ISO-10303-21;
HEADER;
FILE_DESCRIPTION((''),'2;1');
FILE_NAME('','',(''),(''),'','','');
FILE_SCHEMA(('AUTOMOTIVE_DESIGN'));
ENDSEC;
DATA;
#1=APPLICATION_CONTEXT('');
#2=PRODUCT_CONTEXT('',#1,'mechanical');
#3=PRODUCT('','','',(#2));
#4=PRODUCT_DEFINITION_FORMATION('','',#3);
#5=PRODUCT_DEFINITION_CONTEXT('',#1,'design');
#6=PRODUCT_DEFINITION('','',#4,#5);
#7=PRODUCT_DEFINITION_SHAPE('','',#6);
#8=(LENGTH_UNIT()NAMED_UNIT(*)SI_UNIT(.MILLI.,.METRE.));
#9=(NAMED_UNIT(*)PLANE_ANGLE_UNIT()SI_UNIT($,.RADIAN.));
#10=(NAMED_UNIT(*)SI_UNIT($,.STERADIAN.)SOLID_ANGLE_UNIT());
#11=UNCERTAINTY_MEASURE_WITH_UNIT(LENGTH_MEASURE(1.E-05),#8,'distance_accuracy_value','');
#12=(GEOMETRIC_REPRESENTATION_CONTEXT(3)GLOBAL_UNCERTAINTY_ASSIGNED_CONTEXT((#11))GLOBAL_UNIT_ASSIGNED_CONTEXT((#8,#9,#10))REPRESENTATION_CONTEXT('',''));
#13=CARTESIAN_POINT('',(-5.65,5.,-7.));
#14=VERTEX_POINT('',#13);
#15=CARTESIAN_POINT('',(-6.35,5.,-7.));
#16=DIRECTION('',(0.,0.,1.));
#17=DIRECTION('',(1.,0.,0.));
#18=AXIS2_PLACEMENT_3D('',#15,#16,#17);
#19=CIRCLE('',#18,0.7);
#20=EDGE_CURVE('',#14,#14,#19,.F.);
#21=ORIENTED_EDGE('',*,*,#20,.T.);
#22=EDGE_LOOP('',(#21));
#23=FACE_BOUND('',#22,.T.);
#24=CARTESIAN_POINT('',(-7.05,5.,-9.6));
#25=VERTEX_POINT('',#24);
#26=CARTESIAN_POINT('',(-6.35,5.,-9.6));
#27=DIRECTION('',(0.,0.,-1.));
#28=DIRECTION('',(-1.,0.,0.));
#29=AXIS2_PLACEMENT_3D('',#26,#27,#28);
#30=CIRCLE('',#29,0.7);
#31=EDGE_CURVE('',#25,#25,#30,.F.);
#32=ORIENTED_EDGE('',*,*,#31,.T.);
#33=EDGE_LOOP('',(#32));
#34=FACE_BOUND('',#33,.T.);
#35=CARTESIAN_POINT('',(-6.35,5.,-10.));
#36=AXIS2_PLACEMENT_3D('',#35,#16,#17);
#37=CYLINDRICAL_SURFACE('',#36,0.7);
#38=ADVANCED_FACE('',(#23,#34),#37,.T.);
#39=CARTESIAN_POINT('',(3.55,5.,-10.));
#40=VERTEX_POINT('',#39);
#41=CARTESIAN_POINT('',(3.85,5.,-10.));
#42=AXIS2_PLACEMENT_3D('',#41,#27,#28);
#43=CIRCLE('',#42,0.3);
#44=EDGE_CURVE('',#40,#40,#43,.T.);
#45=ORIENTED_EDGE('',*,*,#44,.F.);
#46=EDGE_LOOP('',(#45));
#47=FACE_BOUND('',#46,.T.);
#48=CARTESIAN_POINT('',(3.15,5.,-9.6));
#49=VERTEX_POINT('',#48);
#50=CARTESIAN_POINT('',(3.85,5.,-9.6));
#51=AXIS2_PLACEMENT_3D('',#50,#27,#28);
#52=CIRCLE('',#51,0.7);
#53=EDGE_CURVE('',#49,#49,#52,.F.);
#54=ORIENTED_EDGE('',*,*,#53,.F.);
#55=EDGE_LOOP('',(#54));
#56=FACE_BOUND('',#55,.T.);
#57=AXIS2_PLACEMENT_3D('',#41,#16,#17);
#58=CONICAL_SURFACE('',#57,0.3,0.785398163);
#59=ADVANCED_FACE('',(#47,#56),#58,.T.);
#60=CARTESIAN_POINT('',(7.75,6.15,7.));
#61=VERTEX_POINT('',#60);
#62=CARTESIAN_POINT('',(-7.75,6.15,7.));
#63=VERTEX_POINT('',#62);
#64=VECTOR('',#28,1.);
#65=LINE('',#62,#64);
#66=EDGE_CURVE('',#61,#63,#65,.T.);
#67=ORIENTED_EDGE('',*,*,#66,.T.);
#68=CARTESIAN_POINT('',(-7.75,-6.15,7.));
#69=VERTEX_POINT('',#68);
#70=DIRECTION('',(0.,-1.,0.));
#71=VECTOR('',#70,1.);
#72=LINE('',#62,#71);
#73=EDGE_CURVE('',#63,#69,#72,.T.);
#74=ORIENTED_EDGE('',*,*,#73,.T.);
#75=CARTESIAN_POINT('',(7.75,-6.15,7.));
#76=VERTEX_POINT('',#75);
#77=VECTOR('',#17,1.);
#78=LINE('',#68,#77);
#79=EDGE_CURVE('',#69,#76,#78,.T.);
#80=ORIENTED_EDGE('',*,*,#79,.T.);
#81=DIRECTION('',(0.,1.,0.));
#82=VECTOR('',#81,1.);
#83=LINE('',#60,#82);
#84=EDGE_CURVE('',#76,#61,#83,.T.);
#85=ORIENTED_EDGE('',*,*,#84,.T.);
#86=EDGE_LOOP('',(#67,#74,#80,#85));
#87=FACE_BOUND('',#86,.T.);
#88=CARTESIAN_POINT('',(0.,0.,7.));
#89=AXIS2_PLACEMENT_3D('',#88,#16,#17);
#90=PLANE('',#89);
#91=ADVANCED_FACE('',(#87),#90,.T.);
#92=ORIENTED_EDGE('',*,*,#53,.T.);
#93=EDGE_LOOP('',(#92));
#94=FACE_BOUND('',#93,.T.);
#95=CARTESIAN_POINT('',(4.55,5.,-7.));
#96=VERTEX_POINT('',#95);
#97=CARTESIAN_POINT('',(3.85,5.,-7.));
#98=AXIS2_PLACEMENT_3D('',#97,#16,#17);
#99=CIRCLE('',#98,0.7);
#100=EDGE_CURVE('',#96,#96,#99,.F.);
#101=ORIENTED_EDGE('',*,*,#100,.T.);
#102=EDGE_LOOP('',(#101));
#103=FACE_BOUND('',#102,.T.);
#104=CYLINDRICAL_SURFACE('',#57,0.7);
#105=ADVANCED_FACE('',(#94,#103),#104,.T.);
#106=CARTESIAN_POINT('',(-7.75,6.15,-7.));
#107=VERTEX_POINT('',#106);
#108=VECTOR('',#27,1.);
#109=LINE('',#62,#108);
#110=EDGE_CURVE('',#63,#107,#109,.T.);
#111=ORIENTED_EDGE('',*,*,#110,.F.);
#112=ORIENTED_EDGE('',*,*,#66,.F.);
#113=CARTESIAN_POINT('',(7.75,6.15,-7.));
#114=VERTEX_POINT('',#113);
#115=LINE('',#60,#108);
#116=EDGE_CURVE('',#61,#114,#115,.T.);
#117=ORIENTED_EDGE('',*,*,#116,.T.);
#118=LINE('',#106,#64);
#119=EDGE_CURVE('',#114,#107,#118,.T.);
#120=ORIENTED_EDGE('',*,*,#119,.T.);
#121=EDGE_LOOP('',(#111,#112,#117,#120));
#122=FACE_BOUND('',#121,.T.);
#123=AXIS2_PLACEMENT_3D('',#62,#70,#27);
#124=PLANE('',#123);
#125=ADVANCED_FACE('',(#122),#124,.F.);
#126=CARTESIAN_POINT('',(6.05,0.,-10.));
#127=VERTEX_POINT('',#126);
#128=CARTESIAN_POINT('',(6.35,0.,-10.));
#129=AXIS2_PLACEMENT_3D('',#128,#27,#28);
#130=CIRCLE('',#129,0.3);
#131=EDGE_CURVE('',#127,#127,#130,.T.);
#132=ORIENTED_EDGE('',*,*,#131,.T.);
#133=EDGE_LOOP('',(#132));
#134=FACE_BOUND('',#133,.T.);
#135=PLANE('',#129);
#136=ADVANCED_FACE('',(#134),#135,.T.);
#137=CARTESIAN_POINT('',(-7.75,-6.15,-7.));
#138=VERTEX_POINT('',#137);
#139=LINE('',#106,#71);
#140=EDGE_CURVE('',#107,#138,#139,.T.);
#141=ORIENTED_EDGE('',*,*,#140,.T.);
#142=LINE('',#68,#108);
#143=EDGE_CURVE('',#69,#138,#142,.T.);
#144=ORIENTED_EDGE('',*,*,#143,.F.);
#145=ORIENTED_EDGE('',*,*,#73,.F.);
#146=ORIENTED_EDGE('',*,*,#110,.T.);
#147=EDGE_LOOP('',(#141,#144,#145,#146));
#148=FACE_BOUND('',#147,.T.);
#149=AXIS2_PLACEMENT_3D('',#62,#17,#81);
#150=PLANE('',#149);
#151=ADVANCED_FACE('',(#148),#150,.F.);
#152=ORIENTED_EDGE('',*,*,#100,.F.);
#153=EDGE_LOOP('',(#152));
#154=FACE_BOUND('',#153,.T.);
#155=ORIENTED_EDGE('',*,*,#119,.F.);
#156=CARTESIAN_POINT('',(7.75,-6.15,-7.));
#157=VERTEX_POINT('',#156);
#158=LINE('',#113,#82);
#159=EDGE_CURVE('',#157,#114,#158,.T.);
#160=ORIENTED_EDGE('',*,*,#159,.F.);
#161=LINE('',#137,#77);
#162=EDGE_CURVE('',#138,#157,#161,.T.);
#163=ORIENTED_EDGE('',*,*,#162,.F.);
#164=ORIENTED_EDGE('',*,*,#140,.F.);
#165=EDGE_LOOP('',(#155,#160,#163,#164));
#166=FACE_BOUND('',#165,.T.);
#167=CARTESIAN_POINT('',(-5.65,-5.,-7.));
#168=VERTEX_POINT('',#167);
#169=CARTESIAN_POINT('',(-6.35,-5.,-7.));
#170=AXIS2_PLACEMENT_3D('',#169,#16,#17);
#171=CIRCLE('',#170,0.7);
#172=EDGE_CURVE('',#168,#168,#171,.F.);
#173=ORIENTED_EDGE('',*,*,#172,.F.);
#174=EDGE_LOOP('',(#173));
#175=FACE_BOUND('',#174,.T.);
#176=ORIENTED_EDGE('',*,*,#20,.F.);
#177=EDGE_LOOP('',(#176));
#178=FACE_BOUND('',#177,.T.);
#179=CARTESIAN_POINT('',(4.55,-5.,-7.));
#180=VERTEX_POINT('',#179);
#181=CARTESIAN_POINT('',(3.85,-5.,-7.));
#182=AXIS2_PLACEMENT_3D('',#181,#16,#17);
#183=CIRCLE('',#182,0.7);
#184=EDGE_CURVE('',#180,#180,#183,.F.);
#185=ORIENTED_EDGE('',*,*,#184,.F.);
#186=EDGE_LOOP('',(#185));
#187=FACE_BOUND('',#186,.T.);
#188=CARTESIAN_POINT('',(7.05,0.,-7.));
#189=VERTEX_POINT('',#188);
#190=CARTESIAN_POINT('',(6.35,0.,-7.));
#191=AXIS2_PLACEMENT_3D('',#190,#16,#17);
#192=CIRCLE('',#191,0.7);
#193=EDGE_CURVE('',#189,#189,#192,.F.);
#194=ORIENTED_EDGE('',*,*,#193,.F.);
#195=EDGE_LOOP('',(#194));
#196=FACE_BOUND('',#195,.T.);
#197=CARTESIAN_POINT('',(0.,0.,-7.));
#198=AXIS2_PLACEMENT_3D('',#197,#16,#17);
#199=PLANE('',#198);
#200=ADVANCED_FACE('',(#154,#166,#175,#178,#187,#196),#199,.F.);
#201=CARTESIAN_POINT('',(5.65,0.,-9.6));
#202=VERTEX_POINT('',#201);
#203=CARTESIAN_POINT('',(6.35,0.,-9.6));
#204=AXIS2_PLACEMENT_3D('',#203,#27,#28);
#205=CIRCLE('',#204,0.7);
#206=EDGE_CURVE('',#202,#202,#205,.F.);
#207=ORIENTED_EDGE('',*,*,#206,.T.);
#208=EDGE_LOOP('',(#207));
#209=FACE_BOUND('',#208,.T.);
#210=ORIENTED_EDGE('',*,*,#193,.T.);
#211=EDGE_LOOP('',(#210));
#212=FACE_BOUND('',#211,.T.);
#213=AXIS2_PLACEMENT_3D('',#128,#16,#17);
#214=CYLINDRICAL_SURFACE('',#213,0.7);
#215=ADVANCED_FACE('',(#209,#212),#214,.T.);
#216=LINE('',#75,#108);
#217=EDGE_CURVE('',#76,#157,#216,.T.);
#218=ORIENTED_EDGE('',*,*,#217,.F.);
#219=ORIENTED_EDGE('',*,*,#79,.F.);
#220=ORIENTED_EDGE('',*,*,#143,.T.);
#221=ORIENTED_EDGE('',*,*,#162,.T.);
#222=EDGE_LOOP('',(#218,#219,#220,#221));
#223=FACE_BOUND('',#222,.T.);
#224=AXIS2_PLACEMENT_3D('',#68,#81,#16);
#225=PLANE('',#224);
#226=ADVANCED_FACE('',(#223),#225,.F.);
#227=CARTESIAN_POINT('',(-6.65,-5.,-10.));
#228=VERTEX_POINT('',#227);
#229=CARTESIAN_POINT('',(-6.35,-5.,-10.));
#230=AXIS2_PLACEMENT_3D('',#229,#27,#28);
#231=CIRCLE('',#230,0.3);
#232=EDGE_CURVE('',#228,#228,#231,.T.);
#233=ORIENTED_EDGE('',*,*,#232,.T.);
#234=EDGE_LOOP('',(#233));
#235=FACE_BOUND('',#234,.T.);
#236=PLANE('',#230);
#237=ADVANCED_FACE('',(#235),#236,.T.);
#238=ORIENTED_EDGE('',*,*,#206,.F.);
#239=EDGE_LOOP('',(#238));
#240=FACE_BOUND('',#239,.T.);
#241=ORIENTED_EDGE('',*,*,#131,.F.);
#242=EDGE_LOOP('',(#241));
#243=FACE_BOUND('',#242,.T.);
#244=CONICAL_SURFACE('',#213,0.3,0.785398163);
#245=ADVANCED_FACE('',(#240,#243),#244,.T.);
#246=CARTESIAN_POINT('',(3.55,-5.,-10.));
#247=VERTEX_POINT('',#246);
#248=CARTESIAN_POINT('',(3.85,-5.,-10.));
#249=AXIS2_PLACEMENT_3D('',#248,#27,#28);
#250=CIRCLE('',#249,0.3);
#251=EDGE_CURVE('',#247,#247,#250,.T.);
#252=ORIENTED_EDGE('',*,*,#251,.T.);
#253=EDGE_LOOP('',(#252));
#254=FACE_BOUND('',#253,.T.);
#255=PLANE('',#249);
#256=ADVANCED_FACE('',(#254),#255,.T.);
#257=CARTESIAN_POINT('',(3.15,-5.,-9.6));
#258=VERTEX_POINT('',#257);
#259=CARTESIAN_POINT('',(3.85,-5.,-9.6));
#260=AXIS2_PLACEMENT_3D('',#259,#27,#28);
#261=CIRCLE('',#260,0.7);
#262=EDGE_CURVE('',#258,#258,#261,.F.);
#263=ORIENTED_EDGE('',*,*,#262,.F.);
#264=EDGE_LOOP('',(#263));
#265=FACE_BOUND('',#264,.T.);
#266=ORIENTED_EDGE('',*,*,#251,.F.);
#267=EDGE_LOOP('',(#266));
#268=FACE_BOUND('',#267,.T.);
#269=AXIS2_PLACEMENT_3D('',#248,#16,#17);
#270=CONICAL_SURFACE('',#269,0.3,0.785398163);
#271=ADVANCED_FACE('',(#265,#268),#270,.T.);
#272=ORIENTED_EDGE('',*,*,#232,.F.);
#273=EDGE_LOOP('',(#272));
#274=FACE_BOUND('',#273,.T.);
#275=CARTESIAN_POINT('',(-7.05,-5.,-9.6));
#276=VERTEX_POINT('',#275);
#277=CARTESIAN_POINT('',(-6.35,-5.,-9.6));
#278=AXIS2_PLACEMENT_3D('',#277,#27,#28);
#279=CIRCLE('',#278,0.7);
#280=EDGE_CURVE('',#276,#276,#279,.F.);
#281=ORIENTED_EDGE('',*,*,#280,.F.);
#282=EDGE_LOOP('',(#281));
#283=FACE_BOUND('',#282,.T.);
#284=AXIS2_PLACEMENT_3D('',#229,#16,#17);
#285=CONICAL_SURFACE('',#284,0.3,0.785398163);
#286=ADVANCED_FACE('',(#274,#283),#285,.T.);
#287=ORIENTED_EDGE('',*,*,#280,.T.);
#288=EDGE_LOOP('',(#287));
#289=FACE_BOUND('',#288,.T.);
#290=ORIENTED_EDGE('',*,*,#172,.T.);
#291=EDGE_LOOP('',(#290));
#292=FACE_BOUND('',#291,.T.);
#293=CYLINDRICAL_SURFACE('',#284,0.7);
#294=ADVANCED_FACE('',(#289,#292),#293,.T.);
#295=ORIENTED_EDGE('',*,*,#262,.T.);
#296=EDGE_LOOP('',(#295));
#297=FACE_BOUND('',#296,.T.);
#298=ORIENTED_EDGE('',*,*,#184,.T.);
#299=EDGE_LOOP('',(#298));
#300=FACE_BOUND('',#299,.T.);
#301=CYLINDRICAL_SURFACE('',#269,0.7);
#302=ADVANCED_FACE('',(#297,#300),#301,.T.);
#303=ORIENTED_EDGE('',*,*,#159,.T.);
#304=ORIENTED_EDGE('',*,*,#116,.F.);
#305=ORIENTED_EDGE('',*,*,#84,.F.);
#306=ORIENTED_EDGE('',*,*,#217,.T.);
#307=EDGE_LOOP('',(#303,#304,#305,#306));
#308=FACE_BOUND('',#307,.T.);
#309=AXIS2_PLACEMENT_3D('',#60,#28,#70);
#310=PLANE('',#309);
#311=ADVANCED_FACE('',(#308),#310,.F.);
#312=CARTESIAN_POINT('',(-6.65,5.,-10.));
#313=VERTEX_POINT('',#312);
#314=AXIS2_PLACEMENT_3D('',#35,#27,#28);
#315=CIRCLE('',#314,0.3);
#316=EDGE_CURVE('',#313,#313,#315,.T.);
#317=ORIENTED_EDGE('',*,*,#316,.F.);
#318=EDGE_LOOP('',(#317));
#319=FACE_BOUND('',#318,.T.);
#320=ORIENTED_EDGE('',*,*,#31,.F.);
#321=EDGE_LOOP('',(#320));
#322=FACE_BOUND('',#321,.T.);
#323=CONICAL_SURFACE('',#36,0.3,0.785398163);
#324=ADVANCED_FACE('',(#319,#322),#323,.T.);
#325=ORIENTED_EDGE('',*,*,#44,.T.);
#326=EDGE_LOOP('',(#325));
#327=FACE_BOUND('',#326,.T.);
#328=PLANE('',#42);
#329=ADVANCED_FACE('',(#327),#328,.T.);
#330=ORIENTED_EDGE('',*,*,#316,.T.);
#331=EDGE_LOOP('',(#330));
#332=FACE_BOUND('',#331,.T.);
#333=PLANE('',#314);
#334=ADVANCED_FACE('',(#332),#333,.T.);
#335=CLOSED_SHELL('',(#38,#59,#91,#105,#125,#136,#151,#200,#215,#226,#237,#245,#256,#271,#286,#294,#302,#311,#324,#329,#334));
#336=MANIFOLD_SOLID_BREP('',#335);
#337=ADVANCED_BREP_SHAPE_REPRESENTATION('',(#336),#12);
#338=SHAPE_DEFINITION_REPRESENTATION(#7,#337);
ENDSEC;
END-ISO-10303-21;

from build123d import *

# Parameters (mm, degrees)
SKETCH1_W           = 15.5
SKETCH1_H           = 12.3
BOSS_EXTRUDE1_DEPTH = 7
SKETCH2_R           = 0.7
BOSS_EXTRUDE2_DEPTH = 3
CHAMFER1_SIZE       = 0.4


with BuildPart() as part:
    # Sketch1 → Boss-Extrude1 (new, symmetric)
    with BuildSketch(Plane.XY):
        Rectangle(SKETCH1_W, SKETCH1_H)
    extrude(amount=BOSS_EXTRUDE1_DEPTH, both=True)

    # Sketch2 → Boss-Extrude2 (add)
    with BuildSketch(Plane(origin=(0, 0, -7), x_dir=(-1, 0, 0), z_dir=(0, 0, -1))):
        with Locations(Location((-3.85, 5, 0), (0, 0, 180))):
            Circle(SKETCH2_R)
        with Locations(Location((6.35, 5, 0), (0, 0, 180))):
            Circle(SKETCH2_R)
        with Locations(Location((6.35, -5, 0), (0, 0, 180))):
            Circle(SKETCH2_R)
        with Locations(Location((-3.85, -5, 0), (0, 0, 180))):
            Circle(SKETCH2_R)
        with Locations(Location((-6.35, 0, 0), (0, 0, 180))):
            Circle(SKETCH2_R)
    extrude(amount=BOSS_EXTRUDE2_DEPTH)

    # Chamfer1
    chamfer1_edges = [part.edges().sort_by_distance(p)[0] for p in [
        (3.15, 5, -10),
        (-7.05, 5, -10),
        (-7.05, -5, -10),
        (3.15, -5, -10),
        (5.65, 0, -10),
    ]]
    chamfer(chamfer1_edges, length=CHAMFER1_SIZE)


solid = part.part
